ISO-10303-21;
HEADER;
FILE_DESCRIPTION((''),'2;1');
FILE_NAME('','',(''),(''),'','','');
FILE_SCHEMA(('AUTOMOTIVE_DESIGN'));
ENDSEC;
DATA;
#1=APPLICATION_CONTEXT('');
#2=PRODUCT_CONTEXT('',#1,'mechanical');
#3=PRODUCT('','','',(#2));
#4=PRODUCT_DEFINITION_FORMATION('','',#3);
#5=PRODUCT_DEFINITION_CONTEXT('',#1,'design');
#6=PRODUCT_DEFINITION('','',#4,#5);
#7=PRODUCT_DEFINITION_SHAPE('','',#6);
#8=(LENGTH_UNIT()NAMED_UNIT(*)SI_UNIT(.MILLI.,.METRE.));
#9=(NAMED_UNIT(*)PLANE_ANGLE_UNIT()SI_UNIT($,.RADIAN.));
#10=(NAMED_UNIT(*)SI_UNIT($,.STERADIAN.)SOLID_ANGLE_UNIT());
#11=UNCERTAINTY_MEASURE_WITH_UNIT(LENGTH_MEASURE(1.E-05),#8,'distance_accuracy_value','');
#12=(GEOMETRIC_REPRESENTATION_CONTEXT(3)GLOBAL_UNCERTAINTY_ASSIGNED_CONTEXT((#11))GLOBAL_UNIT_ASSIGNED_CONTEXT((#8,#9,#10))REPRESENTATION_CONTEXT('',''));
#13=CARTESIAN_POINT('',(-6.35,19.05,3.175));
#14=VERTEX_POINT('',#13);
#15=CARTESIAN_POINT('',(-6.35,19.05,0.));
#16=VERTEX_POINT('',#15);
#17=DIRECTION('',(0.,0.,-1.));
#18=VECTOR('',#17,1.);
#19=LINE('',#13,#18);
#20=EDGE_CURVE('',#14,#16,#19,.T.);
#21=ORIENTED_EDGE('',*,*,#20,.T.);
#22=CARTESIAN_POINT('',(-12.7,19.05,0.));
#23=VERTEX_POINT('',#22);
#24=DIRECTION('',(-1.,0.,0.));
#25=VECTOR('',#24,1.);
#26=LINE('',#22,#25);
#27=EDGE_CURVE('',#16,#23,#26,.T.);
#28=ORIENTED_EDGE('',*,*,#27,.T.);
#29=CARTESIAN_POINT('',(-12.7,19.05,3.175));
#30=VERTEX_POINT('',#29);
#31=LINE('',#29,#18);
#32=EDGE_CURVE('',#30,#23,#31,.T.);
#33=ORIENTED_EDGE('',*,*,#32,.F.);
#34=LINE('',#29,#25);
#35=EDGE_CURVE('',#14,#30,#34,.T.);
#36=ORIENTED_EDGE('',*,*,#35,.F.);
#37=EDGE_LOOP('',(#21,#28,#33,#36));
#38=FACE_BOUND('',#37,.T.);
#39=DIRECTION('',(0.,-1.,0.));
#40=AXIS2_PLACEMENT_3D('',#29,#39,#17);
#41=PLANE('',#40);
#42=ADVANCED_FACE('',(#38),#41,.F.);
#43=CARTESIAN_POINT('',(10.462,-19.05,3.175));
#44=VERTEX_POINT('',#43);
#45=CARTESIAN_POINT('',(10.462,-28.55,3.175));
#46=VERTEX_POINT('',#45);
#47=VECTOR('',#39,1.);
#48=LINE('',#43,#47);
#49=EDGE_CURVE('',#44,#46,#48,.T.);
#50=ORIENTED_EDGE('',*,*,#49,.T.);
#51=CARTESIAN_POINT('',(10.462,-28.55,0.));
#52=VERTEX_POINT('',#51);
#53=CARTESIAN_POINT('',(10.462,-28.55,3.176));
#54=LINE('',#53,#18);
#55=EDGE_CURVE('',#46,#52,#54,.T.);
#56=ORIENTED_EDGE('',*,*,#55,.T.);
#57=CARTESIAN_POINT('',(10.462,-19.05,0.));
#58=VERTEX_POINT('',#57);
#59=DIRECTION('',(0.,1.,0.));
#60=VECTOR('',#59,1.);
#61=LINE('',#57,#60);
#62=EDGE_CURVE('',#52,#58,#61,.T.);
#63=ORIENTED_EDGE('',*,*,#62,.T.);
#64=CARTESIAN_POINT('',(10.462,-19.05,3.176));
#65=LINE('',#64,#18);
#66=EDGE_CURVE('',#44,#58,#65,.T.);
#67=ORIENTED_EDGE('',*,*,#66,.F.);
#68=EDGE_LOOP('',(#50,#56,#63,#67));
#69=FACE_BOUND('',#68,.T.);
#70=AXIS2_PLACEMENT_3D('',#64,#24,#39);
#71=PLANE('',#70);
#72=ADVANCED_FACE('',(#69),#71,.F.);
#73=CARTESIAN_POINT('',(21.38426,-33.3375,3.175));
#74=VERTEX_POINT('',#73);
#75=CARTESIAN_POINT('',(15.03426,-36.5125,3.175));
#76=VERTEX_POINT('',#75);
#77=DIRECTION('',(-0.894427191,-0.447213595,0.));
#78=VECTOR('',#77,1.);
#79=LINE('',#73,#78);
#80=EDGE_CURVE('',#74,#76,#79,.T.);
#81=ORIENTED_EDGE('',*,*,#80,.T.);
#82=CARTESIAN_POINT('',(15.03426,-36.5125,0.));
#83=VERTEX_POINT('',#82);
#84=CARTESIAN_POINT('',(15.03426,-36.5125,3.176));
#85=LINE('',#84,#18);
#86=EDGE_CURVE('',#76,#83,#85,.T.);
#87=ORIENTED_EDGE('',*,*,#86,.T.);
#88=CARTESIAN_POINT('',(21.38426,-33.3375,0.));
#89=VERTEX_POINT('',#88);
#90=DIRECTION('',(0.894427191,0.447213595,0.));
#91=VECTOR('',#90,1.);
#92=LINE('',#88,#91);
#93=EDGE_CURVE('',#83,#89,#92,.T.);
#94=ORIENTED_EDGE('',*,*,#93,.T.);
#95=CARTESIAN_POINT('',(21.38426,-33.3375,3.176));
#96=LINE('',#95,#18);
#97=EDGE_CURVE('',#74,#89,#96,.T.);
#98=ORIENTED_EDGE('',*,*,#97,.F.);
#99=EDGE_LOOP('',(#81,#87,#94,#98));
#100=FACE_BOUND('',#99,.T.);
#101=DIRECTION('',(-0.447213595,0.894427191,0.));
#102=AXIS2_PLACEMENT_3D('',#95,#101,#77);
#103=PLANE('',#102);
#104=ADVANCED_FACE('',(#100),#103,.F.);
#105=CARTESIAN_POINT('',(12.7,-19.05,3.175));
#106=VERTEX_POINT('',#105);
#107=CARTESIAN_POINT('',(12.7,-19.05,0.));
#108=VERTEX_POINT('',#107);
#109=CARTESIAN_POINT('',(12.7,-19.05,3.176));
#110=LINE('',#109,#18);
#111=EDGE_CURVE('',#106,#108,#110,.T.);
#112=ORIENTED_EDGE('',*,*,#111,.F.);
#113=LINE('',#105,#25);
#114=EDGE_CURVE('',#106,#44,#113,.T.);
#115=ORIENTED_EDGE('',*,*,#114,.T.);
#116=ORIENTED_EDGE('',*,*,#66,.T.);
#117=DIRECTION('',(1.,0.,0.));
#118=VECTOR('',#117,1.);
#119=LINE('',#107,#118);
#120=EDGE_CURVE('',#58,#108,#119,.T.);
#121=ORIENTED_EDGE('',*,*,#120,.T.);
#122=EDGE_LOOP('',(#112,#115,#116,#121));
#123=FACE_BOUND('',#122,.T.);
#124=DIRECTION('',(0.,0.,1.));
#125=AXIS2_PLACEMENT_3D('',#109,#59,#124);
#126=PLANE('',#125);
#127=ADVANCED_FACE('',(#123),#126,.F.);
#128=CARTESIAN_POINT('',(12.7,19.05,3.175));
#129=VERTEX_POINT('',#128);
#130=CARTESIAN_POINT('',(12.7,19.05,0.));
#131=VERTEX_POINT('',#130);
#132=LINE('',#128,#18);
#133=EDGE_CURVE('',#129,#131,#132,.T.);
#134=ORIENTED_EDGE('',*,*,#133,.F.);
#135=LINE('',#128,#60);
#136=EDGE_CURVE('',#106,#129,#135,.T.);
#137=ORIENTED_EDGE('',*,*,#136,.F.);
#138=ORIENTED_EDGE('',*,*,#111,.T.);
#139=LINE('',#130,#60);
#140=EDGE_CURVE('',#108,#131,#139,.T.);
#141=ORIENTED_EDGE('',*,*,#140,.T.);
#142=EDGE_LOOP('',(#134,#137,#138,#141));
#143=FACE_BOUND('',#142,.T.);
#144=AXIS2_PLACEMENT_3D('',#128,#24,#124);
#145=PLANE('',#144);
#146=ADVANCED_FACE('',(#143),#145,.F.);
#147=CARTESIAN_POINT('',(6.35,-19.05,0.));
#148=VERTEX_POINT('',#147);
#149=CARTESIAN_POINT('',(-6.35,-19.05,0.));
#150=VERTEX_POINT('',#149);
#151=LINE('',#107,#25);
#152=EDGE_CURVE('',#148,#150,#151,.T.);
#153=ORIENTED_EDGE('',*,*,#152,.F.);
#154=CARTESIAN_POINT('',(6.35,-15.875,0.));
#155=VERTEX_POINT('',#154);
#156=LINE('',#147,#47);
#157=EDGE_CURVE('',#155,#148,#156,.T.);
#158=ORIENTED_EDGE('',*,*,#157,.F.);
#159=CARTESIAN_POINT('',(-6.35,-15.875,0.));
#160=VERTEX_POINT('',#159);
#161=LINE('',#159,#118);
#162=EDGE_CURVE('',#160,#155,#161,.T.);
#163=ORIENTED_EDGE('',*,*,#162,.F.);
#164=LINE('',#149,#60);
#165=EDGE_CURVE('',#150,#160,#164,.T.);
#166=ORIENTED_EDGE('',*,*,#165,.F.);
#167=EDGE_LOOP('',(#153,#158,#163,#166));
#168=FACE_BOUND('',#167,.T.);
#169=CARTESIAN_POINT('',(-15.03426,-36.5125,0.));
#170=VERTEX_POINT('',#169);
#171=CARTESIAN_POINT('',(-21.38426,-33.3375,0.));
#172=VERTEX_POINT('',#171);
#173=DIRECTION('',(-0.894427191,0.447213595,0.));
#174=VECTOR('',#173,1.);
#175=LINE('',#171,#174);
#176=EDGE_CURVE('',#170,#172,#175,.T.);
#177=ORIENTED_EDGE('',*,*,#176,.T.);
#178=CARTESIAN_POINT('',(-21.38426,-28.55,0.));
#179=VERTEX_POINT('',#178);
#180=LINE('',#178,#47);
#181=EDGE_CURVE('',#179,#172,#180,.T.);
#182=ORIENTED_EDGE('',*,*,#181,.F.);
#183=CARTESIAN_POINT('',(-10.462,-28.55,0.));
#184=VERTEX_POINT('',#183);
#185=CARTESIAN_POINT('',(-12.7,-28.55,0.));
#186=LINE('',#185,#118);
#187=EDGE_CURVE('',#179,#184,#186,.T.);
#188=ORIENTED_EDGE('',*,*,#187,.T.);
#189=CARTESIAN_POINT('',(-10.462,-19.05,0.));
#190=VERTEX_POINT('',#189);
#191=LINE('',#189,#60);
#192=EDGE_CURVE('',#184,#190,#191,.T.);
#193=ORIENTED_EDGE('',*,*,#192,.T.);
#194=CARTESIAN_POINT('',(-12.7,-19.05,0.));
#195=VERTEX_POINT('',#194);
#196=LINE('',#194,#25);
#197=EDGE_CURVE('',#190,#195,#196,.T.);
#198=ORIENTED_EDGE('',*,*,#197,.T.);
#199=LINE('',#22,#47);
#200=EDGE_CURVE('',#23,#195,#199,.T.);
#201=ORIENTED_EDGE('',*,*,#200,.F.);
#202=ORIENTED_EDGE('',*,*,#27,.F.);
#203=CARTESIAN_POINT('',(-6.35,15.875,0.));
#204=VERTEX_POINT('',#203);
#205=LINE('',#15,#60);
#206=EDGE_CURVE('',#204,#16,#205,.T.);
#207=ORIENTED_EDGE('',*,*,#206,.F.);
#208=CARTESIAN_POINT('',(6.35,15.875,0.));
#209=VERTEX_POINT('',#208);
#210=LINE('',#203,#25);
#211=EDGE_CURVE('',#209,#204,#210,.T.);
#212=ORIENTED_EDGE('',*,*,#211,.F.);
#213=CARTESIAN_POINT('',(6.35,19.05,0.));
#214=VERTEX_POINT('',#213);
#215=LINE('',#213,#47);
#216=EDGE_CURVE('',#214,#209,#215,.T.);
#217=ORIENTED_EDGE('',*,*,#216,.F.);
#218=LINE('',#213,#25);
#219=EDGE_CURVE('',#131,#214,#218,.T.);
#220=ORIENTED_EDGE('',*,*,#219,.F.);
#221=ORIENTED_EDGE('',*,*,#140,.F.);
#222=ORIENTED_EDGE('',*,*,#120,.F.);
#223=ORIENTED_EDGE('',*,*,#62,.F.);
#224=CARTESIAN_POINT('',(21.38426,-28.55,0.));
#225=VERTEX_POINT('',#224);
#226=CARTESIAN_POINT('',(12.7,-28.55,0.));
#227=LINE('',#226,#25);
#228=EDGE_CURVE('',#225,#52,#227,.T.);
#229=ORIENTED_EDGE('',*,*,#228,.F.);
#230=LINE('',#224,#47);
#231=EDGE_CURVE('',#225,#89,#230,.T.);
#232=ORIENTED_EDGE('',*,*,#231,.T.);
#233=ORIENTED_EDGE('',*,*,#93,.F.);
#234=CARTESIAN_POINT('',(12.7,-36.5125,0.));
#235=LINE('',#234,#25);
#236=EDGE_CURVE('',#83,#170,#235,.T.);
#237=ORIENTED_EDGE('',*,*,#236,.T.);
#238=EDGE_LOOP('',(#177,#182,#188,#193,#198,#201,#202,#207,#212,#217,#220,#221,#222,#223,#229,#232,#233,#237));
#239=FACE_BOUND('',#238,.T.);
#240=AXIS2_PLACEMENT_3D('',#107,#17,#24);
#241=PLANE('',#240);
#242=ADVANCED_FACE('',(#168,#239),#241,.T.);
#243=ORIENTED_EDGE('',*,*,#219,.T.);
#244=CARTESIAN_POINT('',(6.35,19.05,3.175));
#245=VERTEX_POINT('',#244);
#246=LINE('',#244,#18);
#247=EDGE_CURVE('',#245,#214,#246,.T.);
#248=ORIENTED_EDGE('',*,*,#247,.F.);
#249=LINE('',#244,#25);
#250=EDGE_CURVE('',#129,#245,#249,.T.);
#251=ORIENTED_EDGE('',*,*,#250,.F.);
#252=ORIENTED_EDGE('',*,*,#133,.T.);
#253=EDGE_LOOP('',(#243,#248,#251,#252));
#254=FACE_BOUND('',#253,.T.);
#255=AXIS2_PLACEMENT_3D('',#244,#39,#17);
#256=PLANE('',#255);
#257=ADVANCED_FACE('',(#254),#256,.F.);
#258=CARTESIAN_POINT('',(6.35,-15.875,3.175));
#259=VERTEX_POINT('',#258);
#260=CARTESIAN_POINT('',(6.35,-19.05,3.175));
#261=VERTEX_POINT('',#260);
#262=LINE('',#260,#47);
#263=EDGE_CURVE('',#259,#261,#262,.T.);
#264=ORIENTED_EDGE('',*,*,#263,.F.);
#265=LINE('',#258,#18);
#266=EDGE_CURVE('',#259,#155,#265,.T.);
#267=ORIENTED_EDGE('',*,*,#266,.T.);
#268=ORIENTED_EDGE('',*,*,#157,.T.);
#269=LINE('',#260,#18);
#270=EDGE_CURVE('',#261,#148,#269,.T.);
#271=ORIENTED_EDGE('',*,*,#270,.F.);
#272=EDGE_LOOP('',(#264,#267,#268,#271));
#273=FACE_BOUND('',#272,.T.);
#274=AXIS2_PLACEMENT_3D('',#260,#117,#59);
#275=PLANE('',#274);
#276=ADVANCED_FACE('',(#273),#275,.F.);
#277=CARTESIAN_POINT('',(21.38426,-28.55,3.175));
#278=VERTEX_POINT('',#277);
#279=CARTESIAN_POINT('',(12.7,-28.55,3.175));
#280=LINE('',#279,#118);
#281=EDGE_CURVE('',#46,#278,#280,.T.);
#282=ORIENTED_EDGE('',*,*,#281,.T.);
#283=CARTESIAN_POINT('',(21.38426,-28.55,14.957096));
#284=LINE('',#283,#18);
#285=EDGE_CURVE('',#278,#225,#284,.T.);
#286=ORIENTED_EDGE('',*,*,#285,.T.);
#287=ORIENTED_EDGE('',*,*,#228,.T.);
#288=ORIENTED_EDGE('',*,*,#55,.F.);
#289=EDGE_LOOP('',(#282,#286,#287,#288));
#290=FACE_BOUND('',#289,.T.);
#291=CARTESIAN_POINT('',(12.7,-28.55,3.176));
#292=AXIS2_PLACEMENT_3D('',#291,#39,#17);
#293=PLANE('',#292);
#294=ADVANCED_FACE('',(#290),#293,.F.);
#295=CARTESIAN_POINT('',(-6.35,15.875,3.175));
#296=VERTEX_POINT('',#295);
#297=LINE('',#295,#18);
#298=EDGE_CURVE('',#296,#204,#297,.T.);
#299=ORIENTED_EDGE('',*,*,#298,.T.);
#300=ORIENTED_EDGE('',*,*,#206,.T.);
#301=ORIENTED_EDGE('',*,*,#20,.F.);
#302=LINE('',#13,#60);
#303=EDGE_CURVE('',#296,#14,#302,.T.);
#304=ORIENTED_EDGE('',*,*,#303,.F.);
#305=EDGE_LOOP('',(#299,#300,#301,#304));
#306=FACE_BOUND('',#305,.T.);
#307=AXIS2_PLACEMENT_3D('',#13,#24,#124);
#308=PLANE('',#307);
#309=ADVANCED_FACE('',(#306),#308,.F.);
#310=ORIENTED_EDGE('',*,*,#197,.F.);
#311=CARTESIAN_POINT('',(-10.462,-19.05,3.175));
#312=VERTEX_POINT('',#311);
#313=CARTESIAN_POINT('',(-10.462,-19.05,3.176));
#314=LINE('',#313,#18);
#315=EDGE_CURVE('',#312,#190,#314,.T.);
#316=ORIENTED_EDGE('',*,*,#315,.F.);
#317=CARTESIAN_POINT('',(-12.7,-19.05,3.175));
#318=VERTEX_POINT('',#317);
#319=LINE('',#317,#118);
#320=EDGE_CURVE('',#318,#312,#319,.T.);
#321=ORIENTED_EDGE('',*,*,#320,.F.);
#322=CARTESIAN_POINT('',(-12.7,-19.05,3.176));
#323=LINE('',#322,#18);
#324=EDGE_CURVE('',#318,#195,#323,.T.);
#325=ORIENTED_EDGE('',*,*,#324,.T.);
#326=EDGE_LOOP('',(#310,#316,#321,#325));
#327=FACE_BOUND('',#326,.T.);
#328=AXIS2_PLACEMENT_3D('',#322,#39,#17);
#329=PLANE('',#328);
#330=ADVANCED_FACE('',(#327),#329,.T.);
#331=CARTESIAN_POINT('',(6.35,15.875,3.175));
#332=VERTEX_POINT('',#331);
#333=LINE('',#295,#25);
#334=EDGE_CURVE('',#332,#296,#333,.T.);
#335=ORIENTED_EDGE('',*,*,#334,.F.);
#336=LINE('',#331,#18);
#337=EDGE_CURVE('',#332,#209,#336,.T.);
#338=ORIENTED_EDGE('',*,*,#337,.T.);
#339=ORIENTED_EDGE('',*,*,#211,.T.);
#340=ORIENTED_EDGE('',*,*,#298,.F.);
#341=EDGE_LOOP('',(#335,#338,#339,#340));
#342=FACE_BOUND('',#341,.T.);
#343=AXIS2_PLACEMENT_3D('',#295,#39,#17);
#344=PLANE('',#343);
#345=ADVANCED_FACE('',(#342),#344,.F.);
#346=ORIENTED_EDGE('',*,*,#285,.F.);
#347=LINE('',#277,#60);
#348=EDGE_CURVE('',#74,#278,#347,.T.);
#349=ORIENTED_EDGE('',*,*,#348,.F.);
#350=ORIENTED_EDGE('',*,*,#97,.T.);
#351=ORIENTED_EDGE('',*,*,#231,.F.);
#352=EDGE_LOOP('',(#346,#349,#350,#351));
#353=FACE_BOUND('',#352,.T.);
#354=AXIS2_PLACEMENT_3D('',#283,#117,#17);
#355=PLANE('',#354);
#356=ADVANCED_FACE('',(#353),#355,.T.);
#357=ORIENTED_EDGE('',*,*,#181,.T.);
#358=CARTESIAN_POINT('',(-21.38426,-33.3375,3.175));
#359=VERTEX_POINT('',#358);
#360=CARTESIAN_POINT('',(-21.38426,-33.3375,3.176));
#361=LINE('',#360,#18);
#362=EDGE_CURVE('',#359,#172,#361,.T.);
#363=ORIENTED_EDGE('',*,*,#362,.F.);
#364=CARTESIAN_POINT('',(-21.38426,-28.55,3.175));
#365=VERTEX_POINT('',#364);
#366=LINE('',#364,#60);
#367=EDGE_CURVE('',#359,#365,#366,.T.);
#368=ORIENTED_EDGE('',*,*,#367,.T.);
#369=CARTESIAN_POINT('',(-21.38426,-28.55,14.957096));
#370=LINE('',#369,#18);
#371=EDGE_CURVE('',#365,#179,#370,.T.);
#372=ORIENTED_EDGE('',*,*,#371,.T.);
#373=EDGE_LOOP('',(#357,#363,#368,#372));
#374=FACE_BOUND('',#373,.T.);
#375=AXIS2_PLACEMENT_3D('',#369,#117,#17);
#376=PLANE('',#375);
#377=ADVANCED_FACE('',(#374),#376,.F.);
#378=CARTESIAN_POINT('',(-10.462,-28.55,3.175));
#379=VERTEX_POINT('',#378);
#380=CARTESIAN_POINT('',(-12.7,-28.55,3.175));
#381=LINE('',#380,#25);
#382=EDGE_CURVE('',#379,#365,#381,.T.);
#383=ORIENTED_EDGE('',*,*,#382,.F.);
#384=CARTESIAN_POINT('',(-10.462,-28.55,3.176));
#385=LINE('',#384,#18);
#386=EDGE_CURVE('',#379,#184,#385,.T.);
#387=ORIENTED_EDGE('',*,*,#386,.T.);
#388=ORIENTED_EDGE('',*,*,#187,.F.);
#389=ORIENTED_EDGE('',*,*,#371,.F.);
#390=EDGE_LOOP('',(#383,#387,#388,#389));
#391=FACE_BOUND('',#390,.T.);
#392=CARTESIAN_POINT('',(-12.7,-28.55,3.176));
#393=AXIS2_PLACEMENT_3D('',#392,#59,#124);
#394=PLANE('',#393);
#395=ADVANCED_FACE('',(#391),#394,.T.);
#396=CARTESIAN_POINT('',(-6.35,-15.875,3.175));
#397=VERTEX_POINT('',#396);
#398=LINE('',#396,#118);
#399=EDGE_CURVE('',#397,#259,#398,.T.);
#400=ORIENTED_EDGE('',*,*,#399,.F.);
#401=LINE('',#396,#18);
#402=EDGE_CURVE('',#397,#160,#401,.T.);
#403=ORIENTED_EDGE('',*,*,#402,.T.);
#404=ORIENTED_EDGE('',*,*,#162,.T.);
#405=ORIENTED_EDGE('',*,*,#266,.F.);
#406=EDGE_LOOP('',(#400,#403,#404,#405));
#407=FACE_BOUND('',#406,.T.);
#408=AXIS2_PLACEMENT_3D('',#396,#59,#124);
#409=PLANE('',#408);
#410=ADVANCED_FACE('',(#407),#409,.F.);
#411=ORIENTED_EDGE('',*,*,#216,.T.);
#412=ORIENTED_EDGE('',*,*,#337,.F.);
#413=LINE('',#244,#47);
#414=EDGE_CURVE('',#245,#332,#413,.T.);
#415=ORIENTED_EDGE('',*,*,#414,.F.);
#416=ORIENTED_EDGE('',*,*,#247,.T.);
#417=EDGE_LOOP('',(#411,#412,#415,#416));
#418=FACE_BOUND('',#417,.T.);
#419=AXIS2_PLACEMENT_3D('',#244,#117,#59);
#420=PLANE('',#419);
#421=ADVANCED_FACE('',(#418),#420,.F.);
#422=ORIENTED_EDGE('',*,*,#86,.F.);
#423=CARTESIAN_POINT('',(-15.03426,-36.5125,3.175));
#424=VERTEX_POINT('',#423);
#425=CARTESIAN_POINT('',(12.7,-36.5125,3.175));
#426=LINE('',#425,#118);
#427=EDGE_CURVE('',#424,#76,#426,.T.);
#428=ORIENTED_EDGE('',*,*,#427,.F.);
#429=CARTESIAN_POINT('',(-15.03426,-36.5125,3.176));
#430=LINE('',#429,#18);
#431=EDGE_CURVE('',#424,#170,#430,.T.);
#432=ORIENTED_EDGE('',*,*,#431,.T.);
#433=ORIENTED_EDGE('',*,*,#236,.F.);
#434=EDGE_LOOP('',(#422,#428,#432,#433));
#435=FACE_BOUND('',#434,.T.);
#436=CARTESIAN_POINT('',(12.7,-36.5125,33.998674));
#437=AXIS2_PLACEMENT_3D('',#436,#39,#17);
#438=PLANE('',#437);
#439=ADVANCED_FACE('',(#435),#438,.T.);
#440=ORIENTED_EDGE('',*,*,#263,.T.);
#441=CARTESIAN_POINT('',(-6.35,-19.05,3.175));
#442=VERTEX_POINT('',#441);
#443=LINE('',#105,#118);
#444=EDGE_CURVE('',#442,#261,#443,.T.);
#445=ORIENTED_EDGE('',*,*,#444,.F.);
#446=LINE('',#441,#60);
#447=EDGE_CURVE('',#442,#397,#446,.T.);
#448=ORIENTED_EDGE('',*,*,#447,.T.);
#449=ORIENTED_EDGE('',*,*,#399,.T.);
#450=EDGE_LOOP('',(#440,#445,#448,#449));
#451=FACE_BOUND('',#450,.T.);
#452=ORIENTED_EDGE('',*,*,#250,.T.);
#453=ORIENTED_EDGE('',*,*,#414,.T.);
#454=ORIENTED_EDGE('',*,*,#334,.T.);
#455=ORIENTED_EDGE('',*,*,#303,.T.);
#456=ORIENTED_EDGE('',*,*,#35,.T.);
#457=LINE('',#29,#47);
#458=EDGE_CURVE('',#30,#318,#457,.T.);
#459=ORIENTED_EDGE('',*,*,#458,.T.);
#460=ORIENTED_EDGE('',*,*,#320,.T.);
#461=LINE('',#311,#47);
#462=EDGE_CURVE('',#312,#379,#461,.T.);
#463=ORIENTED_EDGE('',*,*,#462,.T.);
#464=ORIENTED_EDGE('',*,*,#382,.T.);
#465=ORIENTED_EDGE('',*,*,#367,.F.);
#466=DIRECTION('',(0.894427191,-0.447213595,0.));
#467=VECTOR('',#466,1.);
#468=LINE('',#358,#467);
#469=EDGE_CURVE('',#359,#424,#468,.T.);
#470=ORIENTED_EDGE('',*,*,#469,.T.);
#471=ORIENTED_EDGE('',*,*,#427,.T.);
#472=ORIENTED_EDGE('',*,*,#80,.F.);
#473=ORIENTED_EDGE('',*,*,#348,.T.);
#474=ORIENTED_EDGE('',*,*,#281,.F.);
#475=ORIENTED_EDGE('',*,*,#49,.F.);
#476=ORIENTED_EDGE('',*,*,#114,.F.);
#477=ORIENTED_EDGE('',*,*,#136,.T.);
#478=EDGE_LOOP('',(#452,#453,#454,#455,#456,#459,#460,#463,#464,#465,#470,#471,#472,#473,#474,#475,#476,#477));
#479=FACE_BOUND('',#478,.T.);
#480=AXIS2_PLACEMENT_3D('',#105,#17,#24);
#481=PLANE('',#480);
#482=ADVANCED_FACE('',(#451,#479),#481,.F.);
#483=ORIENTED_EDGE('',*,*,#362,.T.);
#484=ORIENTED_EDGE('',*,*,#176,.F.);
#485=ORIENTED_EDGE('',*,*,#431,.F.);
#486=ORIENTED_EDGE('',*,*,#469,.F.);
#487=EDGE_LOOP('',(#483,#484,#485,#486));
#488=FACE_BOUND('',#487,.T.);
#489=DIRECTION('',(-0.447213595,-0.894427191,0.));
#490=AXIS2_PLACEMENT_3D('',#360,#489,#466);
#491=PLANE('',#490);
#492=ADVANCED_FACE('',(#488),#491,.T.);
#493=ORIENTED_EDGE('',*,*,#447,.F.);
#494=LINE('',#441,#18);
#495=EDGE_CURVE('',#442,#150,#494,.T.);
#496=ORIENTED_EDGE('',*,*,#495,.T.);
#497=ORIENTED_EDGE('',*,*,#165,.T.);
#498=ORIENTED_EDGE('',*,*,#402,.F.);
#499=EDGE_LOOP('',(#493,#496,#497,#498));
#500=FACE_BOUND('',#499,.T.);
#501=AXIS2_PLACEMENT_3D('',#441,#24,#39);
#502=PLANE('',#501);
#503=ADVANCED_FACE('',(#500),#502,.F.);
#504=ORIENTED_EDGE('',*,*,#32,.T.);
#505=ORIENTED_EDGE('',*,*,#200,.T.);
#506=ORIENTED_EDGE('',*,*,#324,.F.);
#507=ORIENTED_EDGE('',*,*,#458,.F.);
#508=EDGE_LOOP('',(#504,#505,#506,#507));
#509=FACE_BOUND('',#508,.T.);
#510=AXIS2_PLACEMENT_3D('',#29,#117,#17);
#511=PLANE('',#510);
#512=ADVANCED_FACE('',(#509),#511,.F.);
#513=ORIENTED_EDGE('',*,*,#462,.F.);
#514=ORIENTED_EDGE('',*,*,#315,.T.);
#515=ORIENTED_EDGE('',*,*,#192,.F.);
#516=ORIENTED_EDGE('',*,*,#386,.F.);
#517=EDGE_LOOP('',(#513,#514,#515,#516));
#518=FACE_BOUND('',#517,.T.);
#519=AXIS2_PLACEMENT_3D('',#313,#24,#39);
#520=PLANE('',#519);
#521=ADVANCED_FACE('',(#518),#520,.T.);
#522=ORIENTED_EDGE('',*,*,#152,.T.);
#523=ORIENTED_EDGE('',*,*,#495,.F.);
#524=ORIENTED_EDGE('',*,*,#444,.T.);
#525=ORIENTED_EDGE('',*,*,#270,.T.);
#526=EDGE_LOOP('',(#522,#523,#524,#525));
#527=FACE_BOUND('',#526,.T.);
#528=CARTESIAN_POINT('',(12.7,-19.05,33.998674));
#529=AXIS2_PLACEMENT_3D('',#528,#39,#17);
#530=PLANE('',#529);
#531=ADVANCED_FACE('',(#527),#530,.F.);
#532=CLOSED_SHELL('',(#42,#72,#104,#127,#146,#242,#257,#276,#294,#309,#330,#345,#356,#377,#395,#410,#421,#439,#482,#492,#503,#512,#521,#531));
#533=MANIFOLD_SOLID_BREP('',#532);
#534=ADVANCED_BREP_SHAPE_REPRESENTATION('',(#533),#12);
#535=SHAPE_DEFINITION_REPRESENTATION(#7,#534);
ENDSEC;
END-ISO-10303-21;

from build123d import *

# Parameters (mm, degrees)
BOSS_EXTRUDE1_DEPTH = 3.175
SKETCH2_W           = 25.4
SKETCH2_H           = 17.4625
BOSS_EXTRUDE2_DEPTH = 3.175
SKETCH4_W           = 2.238000096
SKETCH4_H           = 9.5
CUT_EXTRUDE1_DEPTH  = 3.175
SKETCH5_W           = 8.68426
SKETCH5_H           = 7.9625
BOSS_EXTRUDE3_DEPTH = 3.175
CUT_EXTRUDE2_DEPTH  = 3.175


with BuildPart() as part:
    # Sketch1 → Boss-Extrude1 (new body)
    with BuildSketch(Plane.XY):
        Polygon((-12.7, 19.05), (-6.35, 19.05), (-6.35, 15.875), (6.35, 15.875), (6.35, 19.05), (12.7, 19.05), (12.7, -19.05), (6.35, -19.05), (6.35, -15.875), (-6.35, -15.875), (-6.35, -19.05), (-12.7, -19.05), align=None)
    extrude(amount=BOSS_EXTRUDE1_DEPTH)

    # Sketch2 → Boss-Extrude2 (add)
    with BuildSketch(Plane(origin=(0, 0, 0), x_dir=(-1, 0, 0), z_dir=(0, 0, -1))):
        with Locations((0, -27.78125)):
            Rectangle(SKETCH2_W, SKETCH2_H)
    extrude(amount=-BOSS_EXTRUDE2_DEPTH)

    # Sketch4 → Cut-Extrude1 (cut)
    with BuildSketch(Plane(origin=(0, 0, 0), x_dir=(-1, 0, 0), z_dir=(0, 0, -1))):
        with Locations((-11.580999952, -23.8)):
            Rectangle(SKETCH4_W, SKETCH4_H)
    cut_extrude1 = extrude(amount=-CUT_EXTRUDE1_DEPTH, mode=Mode.SUBTRACT)

    # Sketch5 → Boss-Extrude3 (add)
    with BuildSketch(Plane(origin=(0, 0, 0), x_dir=(-1, 0, 0), z_dir=(0, 0, -1))):
        with Locations((-17.04213, -32.53125)):
            Rectangle(SKETCH5_W, SKETCH5_H)
    boss_extrude3 = extrude(amount=-BOSS_EXTRUDE3_DEPTH)

    # Sketch6 → Cut-Extrude2 (cut)
    with BuildSketch(Plane(origin=(0, 0, 0), x_dir=(-1, 0, 0), z_dir=(0, 0, -1))):
        Polygon((-21.38426, -33.3375), (-15.03426, -36.5125), (-21.38426, -36.5125), align=None)
    cut_extrude2 = extrude(amount=-CUT_EXTRUDE2_DEPTH, mode=Mode.SUBTRACT)

    # Mirror1: Cut-Extrude1, Boss-Extrude3, Cut-Extrude2 across plane
    add(cut_extrude1.mirror(Plane(origin=(0, 0, 0), x_dir=(0, 0, 1), z_dir=(1, 0, 0))), mode=Mode.SUBTRACT)
    add(boss_extrude3.mirror(Plane(origin=(0, 0, 0), x_dir=(0, 0, 1), z_dir=(1, 0, 0))))
    add(cut_extrude2.mirror(Plane(origin=(0, 0, 0), x_dir=(0, 0, 1), z_dir=(1, 0, 0))), mode=Mode.SUBTRACT)


solid = part.part
